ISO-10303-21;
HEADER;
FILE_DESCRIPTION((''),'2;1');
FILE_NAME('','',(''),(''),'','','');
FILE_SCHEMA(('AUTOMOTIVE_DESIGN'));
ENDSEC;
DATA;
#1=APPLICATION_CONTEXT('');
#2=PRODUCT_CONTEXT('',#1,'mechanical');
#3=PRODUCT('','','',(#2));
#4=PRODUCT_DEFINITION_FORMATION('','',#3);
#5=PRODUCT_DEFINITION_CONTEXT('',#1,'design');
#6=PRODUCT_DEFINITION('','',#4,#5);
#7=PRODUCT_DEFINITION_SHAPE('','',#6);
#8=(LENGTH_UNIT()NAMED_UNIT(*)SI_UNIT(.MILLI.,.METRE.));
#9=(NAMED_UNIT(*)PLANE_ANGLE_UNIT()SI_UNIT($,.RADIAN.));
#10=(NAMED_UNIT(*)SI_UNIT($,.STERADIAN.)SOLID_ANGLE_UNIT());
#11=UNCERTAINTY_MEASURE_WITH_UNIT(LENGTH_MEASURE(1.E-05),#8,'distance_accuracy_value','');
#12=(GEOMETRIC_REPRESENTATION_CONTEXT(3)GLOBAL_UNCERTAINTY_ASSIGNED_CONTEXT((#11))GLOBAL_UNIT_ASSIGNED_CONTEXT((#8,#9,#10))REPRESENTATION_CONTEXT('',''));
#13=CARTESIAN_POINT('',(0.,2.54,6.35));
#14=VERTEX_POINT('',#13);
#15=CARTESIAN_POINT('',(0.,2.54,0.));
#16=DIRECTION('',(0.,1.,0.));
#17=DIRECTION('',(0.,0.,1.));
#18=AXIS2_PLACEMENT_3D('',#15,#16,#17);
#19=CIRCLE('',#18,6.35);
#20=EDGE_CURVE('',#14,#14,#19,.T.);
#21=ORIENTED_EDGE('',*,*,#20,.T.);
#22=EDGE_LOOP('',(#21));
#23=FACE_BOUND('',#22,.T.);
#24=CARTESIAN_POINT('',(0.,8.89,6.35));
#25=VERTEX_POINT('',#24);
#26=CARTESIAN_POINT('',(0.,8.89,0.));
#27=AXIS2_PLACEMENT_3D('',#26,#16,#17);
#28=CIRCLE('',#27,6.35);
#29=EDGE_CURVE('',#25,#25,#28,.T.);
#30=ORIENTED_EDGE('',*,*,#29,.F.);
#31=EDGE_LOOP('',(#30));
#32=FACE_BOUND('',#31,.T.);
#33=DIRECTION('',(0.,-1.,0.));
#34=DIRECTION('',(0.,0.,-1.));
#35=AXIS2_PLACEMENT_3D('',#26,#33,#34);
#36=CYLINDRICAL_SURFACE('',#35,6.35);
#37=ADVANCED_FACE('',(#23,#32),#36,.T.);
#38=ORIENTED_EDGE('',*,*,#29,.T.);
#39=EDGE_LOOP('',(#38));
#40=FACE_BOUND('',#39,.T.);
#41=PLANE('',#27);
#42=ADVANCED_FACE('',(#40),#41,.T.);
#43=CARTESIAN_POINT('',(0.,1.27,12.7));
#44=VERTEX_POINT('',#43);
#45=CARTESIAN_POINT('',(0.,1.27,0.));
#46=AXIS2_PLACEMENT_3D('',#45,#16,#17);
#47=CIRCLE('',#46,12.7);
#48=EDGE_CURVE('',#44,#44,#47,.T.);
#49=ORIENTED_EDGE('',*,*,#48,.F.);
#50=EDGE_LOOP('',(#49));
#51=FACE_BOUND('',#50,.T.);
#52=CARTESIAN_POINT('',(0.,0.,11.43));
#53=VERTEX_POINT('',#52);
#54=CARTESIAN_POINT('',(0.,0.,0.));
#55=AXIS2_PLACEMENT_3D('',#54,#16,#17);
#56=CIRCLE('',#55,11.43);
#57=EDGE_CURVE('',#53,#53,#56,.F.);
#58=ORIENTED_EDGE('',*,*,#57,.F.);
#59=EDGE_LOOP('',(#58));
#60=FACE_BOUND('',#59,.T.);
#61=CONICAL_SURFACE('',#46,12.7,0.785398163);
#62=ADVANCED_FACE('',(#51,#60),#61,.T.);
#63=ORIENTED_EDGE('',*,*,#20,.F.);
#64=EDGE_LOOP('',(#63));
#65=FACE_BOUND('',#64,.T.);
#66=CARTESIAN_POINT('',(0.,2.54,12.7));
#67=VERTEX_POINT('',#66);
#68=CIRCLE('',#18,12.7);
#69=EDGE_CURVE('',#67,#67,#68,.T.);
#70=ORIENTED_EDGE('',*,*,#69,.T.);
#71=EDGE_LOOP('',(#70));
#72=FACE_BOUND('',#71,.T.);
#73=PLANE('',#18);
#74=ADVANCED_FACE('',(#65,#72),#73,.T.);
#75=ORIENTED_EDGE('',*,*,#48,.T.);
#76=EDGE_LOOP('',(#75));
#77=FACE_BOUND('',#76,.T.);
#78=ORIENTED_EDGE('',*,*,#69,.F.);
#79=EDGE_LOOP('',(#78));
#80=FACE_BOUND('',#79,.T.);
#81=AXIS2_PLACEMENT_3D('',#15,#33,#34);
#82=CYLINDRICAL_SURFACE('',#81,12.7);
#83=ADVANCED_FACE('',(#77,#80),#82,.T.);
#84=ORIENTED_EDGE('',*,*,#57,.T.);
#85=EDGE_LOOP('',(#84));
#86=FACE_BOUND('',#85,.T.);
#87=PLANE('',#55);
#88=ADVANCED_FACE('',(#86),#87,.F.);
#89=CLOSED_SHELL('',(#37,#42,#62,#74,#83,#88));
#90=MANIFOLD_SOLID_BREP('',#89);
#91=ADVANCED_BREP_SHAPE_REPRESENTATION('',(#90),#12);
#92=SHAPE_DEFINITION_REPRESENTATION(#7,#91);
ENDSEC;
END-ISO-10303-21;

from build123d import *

# Parameters (mm, degrees)
SKETCH1_R           = 12.7
BOSS_EXTRUDE1_DEPTH = 2.54
SKETCH2_R           = 6.35
BOSS_EXTRUDE2_DEPTH = 6.35
CHAMFER1_SIZE       = 1.27


with BuildPart() as part:
    # Sketch1 → Boss-Extrude1 (new body)
    with BuildSketch(Plane(origin=(0, 0, 0), x_dir=(1, 0, 0), z_dir=(0, 1, 0))):
        Circle(SKETCH1_R)
    extrude(amount=BOSS_EXTRUDE1_DEPTH)

    # Sketch2 → Boss-Extrude2 (add)
    with BuildSketch(Plane(origin=(0, 2.54, 0), x_dir=(1, 0, 0), z_dir=(0, 1, 0))):
        Circle(SKETCH2_R)
    extrude(amount=BOSS_EXTRUDE2_DEPTH)

    # Chamfer1
    chamfer1_edges = [part.edges().sort_by_distance(p)[0] for p in [
        (-12.7, 0, 0),
    ]]
    chamfer(chamfer1_edges, length=CHAMFER1_SIZE)


solid = part.part
